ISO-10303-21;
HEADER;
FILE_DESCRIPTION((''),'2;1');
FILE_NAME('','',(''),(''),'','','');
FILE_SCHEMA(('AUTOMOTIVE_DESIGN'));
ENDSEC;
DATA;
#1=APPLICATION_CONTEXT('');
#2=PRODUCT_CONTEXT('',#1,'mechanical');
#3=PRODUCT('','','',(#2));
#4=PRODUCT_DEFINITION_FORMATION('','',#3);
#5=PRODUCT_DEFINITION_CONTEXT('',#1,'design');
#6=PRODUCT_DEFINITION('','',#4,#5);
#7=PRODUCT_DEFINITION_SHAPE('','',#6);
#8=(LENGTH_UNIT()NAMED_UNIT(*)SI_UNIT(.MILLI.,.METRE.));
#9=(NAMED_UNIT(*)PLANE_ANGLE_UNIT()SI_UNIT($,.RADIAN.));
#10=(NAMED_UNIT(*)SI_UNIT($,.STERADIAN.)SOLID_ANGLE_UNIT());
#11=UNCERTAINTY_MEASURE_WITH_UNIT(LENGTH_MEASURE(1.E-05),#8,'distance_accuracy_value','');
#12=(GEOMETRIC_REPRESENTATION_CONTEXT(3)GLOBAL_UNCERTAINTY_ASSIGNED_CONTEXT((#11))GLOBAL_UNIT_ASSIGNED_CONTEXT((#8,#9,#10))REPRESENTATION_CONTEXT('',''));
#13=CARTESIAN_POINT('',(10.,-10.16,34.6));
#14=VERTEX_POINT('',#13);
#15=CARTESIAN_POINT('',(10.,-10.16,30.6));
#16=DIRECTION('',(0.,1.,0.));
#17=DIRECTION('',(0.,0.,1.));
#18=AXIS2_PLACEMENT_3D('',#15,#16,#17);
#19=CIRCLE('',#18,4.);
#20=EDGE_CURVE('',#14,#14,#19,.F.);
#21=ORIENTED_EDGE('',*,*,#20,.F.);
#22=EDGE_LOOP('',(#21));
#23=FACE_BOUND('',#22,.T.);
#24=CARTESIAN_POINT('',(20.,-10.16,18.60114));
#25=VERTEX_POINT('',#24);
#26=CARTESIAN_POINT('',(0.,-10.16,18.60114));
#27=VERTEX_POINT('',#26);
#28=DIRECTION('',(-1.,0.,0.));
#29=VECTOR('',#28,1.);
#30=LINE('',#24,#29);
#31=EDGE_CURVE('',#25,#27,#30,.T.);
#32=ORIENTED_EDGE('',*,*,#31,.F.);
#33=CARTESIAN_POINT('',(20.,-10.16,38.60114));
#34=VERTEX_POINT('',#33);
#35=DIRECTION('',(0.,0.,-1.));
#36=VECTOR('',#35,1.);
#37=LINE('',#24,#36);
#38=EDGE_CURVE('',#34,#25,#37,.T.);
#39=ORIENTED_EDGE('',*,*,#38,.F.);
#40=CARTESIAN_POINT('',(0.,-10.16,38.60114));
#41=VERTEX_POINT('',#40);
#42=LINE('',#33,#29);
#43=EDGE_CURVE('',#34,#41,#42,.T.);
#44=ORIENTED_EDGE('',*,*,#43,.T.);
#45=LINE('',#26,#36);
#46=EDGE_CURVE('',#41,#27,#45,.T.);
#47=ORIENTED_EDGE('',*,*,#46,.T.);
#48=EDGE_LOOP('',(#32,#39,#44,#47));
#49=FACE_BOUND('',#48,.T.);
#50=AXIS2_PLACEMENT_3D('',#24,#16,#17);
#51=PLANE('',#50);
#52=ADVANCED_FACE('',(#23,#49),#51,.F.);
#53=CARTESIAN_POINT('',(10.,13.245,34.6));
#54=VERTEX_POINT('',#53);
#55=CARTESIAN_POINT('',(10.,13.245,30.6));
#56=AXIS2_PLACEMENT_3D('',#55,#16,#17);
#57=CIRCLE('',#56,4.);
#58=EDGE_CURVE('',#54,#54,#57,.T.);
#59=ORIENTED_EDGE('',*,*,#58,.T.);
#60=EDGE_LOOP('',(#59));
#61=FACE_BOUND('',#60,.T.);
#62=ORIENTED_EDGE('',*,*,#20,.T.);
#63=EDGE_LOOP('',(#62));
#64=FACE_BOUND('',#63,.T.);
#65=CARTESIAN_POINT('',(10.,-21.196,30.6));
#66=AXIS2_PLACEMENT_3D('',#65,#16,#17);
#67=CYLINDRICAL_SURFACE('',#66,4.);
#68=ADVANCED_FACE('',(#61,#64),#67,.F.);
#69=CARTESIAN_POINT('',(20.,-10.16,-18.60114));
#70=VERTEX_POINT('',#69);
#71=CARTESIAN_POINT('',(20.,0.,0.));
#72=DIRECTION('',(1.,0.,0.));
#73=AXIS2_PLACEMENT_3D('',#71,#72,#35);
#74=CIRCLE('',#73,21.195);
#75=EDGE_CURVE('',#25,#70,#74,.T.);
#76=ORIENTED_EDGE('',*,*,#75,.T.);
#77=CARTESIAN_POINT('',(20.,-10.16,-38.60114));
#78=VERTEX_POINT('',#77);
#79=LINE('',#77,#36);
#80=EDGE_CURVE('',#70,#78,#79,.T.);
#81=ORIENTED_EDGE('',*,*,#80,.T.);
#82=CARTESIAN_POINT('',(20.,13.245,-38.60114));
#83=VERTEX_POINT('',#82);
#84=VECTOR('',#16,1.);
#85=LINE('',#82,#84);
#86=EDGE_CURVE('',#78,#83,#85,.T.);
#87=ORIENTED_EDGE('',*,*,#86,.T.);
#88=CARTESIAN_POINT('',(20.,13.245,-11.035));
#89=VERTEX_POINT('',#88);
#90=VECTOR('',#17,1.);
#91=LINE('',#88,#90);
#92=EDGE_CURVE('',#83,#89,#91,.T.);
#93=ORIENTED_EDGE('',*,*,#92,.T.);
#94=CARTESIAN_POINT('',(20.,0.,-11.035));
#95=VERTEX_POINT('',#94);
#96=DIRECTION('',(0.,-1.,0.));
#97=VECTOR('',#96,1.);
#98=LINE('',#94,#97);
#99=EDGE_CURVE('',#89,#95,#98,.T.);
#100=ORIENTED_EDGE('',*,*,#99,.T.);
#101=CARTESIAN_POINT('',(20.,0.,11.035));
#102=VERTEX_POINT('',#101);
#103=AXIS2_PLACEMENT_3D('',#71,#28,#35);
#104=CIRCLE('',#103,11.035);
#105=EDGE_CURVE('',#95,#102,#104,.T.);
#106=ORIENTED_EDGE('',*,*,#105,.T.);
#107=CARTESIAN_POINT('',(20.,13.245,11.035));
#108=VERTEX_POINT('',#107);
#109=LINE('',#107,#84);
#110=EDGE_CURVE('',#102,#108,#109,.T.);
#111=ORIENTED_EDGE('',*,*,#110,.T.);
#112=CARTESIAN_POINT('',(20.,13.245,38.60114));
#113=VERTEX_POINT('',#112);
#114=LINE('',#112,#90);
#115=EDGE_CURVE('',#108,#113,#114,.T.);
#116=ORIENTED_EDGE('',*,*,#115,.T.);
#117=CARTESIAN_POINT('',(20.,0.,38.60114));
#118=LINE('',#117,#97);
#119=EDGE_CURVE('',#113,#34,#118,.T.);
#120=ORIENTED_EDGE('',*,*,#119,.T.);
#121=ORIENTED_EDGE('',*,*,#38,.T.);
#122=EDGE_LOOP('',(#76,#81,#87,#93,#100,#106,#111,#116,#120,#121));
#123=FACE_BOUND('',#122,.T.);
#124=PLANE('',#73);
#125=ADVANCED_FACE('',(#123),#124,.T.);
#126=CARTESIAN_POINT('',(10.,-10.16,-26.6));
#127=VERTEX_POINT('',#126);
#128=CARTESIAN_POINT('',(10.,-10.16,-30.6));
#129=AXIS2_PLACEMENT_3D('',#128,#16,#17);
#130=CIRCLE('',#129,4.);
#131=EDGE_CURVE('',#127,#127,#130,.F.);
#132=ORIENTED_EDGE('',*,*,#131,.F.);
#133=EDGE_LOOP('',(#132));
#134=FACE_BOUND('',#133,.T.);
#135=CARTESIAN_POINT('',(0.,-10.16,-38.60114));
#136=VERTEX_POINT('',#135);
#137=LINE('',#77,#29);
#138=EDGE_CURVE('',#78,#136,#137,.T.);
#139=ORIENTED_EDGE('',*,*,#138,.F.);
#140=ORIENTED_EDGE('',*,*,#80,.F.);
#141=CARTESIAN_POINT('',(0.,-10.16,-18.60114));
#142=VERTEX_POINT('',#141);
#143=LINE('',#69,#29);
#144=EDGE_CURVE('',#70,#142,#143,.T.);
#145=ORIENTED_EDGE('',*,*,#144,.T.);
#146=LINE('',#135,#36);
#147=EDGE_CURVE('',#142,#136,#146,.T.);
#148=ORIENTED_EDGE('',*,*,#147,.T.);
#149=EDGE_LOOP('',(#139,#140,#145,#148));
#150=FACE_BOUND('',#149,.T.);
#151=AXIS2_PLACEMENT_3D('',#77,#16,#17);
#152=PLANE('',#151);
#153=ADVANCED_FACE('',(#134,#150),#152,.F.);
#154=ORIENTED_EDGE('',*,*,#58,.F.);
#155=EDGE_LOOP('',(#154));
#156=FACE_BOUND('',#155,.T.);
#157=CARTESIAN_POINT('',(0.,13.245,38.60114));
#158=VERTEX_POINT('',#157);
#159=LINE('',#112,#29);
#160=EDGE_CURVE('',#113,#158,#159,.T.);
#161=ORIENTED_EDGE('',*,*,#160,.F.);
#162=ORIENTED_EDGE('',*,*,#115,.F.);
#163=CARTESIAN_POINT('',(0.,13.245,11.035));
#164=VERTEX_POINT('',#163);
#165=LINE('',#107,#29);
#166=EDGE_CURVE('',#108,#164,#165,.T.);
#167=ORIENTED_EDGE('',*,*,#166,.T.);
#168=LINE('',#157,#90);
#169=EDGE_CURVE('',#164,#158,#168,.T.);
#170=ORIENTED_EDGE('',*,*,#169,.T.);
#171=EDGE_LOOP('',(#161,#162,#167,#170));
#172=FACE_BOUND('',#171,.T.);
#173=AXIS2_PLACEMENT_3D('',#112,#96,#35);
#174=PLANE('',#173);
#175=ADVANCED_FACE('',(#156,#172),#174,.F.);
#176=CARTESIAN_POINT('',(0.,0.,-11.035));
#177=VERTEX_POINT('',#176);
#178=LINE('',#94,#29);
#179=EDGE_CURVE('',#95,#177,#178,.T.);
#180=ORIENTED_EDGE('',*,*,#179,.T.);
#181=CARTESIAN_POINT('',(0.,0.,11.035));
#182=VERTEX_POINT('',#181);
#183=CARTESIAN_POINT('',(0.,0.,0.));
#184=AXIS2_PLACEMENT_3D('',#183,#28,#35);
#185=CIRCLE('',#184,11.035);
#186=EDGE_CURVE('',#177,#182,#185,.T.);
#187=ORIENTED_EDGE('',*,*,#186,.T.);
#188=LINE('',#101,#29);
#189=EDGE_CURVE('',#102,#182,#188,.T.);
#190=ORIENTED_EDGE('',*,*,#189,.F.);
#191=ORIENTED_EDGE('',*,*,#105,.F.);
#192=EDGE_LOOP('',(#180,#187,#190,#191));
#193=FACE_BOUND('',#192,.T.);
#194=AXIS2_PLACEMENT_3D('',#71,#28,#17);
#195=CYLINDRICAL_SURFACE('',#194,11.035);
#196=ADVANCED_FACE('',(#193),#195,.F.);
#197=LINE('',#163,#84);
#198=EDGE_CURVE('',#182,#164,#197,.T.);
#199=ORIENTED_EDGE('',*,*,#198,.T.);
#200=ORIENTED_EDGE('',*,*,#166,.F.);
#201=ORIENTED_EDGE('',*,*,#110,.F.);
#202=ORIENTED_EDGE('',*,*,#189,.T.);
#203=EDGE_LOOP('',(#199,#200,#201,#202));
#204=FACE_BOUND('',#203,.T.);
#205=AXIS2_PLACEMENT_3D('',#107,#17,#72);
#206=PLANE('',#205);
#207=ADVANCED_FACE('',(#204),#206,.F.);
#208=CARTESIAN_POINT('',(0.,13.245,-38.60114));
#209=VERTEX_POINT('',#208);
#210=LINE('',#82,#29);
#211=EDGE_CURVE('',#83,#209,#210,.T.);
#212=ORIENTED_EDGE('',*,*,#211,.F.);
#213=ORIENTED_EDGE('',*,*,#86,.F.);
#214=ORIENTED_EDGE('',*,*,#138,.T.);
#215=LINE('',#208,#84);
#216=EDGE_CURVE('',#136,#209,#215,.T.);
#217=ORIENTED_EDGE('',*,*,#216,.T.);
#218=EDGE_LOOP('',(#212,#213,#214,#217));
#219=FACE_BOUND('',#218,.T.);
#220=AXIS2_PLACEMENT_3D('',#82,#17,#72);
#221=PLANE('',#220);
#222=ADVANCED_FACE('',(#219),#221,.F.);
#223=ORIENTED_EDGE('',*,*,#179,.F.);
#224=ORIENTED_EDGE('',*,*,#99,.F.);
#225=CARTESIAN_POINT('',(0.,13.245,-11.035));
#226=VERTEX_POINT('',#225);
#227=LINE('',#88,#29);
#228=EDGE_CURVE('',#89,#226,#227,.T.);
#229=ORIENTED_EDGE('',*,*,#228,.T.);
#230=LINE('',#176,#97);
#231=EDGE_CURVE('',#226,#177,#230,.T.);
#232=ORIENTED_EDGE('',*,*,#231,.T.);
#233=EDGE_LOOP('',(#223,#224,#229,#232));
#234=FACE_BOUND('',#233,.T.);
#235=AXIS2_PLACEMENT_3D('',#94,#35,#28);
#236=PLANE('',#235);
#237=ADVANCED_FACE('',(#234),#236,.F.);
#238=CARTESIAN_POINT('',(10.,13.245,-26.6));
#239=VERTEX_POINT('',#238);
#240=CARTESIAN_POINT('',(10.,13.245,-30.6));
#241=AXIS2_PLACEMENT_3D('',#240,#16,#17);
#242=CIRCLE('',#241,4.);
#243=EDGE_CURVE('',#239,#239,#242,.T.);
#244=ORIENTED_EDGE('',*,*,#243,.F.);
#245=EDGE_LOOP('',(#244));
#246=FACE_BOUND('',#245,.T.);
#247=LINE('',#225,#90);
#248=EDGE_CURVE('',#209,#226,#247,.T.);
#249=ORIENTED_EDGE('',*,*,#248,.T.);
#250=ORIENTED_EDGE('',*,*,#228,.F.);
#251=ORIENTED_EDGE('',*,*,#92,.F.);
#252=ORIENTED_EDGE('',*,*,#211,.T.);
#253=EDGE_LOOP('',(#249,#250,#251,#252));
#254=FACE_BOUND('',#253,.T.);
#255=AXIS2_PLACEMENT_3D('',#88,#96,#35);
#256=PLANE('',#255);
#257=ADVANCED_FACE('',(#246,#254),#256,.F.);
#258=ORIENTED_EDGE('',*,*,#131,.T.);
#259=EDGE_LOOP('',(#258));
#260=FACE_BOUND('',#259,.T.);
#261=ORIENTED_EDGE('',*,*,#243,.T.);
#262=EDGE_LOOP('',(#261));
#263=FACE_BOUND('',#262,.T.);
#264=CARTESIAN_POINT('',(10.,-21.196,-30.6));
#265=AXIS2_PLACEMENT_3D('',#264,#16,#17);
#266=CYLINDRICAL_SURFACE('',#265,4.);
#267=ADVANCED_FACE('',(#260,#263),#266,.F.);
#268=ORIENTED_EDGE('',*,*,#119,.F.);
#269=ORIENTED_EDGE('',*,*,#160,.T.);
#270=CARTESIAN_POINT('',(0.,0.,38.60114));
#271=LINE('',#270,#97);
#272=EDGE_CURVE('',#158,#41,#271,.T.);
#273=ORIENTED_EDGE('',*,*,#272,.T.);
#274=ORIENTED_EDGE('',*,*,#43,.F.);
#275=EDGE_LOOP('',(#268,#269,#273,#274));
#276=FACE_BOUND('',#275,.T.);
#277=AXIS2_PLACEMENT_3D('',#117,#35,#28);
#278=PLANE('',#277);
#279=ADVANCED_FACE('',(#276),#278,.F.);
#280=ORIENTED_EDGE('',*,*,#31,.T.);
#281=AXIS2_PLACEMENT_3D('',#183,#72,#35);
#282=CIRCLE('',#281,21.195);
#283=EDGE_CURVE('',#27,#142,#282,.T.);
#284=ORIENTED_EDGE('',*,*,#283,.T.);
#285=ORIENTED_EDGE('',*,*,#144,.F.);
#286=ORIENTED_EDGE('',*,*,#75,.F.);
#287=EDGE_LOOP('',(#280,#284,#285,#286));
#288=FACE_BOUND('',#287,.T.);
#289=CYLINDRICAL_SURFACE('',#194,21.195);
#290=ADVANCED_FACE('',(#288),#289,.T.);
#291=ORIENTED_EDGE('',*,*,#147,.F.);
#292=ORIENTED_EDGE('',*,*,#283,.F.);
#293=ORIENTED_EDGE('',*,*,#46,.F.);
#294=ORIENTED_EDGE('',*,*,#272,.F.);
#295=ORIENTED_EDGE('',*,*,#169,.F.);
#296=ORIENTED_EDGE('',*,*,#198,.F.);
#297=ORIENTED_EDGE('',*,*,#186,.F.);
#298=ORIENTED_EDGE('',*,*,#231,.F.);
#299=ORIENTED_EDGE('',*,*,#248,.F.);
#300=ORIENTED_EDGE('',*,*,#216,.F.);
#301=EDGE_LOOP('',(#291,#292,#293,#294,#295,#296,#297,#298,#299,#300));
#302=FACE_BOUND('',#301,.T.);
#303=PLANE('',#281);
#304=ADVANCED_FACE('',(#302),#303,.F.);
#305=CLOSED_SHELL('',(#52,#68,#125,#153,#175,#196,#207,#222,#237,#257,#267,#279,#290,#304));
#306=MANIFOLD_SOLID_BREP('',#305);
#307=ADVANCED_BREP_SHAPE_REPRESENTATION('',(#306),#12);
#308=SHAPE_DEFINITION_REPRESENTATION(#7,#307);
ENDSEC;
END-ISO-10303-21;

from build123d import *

# Parameters (mm, degrees)
BOSS_EXTRUDE1_DEPTH = 20
CUT_EXTRUDE1_REACH  = 57.463
SKETCH3_R           = 4


with BuildPart() as part:
    # Sketch2 → Boss-Extrude1 (new body)
    with BuildSketch(Plane(origin=(0, 0, 0), x_dir=(0, 0, -1), z_dir=(1, 0, 0))):
        with BuildLine():
            Line((-18.601140422, -10.16), (-38.601140422, -10.16))
            Line((-38.601140422, -10.16), (-38.601140422, 0))
            Line((-38.601140422, 0), (-38.601140422, 13.245))
            Line((-38.601140422, 13.245), (-11.035, 13.245))
            Line((-11.035, 13.245), (-11.035, 0))
            ThreePointArc((-11.035, 0), (0, -11.035), (11.035, 0))
            Line((11.035, 0), (11.035, 13.245))
            Line((11.035, 13.245), (38.601140422, 13.245))
            Line((38.601140422, 13.245), (38.601140422, -10.16))
            Line((38.601140422, -10.16), (18.601140422, -10.16))
            ThreePointArc((18.601140422, -10.16), (0, -21.195), (-18.601140422, -10.16))
        make_face()
    extrude(amount=BOSS_EXTRUDE1_DEPTH)

    # Sketch3 → Cut-Extrude1 (cut, up to next)
    with BuildSketch(Plane(origin=(0, 13.245, 0), x_dir=(1, 0, 0), z_dir=(0, 1, 0)), mode=Mode.PRIVATE) as cut_extrude1_sk1:
        with Locations(Location((10, -30.6, 0), (0, 0, 270))):
            Circle(SKETCH3_R)
    cut_extrude1_tool1 = extrude(cut_extrude1_sk1.sketch, amount=-CUT_EXTRUDE1_REACH, mode=Mode.PRIVATE) & part.part
    # Sketch3 → Cut-Extrude1 (cut, up to next)
    with BuildSketch(Plane(origin=(0, 13.245, 0), x_dir=(1, 0, 0), z_dir=(0, 1, 0)), mode=Mode.PRIVATE) as cut_extrude1_sk2:
        with Locations(Location((10, 30.6, 0), (0, 0, 270))):
            Circle(SKETCH3_R)
    cut_extrude1_tool2 = extrude(cut_extrude1_sk2.sketch, amount=-CUT_EXTRUDE1_REACH, mode=Mode.PRIVATE) & part.part
    add(cut_extrude1_tool1.solids().sort_by_distance((10, 13.245, 30.6))[0], mode=Mode.SUBTRACT)
    add(cut_extrude1_tool2.solids().sort_by_distance((10, 13.245, -30.6))[0], mode=Mode.SUBTRACT)


solid = part.part
